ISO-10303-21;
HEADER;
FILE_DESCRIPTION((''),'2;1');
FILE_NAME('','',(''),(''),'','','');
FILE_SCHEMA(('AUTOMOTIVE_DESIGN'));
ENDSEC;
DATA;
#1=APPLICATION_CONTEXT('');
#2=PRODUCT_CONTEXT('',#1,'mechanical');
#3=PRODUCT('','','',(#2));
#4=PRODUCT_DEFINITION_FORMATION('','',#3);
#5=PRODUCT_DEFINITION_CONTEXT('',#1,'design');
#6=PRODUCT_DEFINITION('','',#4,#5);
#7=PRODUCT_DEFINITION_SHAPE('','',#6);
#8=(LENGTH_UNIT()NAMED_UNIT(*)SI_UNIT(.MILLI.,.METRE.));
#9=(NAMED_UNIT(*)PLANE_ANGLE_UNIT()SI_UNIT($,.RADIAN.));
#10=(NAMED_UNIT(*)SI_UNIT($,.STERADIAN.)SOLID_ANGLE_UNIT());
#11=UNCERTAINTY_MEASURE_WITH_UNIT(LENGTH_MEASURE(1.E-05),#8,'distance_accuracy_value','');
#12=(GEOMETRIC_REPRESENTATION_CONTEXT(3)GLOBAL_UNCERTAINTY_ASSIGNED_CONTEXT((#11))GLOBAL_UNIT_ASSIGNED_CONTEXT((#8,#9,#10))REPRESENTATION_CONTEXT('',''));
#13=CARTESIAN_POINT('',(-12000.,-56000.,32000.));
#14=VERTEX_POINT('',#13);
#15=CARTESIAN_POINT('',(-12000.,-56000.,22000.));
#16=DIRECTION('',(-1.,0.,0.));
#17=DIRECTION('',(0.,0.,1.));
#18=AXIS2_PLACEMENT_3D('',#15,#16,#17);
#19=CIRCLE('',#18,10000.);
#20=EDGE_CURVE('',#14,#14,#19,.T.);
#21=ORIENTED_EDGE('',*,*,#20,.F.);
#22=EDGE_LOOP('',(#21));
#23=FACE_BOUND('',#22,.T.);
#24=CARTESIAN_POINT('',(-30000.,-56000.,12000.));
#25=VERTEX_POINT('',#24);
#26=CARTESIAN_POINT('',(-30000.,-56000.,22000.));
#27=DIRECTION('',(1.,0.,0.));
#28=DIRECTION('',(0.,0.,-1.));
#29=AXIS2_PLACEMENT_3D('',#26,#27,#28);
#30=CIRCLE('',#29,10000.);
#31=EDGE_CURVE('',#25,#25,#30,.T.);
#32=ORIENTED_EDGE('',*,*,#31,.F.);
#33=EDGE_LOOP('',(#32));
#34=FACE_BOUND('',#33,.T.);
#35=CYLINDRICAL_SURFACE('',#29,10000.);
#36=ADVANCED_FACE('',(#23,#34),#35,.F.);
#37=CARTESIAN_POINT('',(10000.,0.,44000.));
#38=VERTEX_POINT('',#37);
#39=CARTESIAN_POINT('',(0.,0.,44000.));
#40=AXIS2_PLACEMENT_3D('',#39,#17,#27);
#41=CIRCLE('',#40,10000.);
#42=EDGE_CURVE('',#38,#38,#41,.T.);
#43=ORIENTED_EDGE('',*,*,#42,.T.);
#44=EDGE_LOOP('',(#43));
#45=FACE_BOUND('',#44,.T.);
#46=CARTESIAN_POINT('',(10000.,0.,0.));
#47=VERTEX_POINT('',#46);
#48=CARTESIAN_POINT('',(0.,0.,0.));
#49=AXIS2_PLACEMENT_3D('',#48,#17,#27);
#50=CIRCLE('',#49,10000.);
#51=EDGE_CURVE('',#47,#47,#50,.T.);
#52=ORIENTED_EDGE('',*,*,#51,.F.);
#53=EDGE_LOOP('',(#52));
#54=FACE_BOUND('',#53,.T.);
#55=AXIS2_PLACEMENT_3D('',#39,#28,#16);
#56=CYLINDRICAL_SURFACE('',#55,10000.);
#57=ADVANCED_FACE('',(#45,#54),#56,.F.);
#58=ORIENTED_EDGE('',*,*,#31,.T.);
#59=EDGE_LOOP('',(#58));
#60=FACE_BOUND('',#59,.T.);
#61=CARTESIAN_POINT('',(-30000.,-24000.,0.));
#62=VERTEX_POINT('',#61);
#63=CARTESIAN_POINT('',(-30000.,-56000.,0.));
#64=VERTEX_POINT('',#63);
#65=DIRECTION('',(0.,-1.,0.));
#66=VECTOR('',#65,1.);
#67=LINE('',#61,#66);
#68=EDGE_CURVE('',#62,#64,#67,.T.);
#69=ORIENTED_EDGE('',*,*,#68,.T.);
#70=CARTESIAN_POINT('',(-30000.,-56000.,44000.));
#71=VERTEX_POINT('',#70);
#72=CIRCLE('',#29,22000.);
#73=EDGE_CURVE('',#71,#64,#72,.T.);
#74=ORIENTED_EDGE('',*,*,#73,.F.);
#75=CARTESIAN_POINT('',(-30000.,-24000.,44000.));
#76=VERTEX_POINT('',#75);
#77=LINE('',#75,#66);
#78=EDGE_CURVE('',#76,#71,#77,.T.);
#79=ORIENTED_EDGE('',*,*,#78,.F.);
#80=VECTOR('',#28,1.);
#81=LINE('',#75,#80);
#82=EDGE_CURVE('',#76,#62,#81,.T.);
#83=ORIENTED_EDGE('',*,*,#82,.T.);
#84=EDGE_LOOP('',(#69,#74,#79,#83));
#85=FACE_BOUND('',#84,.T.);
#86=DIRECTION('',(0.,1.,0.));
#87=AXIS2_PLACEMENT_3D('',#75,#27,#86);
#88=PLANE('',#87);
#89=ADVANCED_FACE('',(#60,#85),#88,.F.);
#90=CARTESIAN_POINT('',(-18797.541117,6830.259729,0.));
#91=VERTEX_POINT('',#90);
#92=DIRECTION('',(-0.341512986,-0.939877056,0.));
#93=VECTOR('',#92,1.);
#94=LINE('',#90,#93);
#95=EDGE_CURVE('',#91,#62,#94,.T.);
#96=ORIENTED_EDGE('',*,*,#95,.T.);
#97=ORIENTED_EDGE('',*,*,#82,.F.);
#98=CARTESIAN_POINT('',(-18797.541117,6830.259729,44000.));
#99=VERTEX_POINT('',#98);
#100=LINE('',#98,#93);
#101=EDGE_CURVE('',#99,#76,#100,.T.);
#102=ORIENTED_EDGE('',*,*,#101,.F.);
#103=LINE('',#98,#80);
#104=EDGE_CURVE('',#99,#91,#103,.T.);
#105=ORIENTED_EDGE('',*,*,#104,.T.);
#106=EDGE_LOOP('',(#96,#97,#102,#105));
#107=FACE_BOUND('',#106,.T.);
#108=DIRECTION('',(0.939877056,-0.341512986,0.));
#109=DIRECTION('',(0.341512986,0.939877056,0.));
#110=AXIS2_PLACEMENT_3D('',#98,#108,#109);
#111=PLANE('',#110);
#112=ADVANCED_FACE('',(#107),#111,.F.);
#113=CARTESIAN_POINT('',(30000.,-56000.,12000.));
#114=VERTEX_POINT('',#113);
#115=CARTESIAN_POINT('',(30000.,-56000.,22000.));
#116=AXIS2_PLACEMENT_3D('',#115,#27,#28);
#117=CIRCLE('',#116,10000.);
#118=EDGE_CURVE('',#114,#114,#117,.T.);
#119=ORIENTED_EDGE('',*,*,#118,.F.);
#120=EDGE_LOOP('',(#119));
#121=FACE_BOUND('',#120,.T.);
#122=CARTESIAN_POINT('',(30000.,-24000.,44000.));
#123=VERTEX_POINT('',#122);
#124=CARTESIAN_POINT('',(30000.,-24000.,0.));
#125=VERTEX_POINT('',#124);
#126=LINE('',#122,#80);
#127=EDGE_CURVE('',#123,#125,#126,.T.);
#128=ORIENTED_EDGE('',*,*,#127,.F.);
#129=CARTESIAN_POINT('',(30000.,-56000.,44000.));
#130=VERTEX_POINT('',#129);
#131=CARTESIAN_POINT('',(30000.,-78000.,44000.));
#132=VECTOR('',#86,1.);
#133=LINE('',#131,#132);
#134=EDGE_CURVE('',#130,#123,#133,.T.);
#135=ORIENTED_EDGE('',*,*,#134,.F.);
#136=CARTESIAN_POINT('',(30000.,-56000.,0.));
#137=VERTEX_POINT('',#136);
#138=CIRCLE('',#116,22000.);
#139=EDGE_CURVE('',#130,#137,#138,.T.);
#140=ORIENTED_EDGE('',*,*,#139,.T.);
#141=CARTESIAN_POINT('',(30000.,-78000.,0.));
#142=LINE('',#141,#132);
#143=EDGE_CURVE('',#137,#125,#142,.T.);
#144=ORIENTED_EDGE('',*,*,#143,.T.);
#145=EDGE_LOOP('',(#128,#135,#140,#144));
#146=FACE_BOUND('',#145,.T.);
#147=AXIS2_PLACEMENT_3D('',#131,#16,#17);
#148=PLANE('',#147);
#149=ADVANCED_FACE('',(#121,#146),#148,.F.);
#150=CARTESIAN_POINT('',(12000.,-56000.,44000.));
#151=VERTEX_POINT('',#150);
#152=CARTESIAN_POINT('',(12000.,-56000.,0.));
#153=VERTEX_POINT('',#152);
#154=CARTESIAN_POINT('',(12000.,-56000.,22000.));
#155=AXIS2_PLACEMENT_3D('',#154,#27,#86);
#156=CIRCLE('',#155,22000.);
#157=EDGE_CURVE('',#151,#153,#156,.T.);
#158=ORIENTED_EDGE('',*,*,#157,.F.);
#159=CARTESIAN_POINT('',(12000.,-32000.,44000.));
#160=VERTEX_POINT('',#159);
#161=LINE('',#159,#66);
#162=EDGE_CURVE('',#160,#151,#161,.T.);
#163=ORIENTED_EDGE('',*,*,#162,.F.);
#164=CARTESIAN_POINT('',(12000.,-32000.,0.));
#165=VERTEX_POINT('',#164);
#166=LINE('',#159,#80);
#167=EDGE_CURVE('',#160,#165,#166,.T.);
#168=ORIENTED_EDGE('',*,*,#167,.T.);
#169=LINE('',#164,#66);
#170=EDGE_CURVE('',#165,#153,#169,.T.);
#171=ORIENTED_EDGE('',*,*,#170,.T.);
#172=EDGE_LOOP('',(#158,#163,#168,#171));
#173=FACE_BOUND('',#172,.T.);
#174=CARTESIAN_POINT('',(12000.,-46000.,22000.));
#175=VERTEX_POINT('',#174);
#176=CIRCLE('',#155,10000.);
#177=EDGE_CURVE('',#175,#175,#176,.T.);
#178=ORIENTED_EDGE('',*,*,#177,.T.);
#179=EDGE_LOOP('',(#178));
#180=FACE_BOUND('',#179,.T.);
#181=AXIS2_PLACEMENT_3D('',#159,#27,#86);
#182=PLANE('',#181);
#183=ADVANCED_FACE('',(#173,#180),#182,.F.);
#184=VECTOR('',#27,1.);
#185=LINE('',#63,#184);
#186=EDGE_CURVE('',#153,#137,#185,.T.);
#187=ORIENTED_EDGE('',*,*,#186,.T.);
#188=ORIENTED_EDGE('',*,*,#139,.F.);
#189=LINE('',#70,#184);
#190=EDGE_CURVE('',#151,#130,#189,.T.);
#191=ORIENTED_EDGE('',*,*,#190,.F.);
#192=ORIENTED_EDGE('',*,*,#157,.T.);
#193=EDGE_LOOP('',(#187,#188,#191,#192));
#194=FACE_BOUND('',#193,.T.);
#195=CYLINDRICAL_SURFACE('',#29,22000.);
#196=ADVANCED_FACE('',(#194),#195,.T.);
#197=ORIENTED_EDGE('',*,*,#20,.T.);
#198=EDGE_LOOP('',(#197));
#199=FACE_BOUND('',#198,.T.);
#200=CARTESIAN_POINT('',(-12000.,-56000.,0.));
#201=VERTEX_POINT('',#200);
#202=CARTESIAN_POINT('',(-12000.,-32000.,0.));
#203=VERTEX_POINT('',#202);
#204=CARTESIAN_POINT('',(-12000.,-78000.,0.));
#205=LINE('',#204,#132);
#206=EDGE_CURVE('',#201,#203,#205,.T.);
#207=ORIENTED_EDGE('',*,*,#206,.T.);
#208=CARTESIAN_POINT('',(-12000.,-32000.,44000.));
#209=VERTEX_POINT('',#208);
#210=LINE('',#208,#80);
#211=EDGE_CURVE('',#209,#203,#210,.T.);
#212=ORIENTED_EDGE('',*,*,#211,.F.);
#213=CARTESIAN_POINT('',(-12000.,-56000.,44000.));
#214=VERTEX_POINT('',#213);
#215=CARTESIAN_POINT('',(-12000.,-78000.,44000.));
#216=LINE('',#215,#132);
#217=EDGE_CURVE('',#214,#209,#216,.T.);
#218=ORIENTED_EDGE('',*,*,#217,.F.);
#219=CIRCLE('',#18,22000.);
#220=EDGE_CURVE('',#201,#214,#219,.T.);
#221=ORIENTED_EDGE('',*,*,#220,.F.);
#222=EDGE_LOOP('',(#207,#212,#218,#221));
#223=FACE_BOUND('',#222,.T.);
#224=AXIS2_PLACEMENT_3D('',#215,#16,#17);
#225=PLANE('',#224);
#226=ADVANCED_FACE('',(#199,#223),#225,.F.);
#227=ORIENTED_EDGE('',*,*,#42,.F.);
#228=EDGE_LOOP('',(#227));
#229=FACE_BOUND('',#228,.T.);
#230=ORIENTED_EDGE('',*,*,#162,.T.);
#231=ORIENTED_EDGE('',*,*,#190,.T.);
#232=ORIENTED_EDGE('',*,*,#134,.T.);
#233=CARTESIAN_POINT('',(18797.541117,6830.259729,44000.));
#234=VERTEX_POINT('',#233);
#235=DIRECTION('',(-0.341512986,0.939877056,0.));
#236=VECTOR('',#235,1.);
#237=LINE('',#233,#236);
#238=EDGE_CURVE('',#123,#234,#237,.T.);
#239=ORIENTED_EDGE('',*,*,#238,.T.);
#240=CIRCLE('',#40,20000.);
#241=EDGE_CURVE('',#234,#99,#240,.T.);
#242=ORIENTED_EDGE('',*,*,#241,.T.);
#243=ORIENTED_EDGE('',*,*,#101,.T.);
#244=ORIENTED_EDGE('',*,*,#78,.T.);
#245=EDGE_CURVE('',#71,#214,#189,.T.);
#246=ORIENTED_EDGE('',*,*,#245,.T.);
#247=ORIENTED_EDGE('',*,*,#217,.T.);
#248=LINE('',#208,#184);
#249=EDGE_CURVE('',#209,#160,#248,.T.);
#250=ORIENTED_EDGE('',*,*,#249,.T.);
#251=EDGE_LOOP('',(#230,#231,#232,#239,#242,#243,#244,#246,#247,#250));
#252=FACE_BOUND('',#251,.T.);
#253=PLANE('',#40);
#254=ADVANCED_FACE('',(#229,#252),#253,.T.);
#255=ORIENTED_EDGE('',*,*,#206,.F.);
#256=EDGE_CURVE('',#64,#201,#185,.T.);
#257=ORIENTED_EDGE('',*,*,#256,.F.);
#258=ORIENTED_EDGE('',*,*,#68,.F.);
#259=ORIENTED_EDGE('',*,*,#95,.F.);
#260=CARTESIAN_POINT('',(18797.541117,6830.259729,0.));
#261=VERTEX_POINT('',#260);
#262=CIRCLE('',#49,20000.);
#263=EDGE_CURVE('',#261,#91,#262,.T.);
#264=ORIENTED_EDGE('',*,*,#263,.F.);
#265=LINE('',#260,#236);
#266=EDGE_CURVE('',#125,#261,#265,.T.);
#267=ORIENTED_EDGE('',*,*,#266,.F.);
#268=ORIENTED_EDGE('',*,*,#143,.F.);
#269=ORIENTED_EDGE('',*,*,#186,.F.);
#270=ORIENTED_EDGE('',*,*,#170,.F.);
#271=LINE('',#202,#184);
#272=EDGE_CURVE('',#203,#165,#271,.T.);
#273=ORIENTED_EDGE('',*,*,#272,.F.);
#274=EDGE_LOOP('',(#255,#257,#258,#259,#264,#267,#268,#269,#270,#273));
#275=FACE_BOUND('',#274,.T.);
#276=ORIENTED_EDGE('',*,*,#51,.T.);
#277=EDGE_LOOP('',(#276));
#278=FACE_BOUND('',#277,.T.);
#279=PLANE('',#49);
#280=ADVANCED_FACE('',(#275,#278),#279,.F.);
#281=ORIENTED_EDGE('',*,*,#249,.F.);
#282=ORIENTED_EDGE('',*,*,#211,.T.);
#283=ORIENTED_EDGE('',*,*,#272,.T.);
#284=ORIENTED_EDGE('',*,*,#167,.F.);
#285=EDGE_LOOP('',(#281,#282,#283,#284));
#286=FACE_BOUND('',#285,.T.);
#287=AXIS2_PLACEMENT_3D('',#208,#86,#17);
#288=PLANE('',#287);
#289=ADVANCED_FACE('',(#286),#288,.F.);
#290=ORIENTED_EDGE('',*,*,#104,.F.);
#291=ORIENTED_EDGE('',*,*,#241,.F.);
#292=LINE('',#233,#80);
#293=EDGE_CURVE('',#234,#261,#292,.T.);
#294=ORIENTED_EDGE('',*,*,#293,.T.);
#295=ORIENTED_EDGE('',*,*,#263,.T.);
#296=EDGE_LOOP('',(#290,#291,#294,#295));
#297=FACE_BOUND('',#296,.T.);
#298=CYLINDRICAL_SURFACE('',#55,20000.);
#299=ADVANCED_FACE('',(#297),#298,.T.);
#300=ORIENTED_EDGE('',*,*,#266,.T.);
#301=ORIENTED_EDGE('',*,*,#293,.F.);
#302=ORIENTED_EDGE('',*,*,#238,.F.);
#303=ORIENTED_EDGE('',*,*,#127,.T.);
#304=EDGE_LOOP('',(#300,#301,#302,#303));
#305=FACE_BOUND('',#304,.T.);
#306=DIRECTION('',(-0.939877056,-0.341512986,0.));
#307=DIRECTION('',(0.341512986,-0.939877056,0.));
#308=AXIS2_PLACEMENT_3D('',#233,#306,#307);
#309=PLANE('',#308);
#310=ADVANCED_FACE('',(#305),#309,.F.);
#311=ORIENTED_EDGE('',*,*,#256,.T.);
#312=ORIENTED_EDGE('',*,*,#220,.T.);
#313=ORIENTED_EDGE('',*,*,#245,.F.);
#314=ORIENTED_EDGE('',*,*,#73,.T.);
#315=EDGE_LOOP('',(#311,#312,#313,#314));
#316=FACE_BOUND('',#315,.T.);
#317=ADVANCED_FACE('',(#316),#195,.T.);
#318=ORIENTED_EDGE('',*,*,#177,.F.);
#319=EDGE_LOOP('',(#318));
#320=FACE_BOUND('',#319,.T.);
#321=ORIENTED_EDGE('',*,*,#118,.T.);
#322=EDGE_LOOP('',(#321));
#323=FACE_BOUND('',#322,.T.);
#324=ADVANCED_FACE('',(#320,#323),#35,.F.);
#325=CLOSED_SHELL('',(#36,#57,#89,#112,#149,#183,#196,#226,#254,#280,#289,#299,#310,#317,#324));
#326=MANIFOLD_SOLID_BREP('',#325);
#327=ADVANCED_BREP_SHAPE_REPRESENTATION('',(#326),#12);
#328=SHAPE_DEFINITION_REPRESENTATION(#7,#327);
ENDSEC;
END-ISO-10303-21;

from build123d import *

# Parameters (mm, degrees)
SKETCH1_R           = 10000
BOSS_EXTRUDE3_DEPTH = 44000
SKETCH2_R           = 10000
CUT_EXTRUDE1_DEPTH  = 107797.103825695
CUT_EXTRUDE2_DEPTH  = 107797.103825695


with BuildPart() as part:
    # Sketch1 → Boss-Extrude3 (new body)
    with BuildSketch(Plane.XY):
        with BuildLine():
            Line((-30000, -24000), (-30000, -78000))
            Line((-30000, -78000), (-12000, -78000))
            Line((-12000, -78000), (-12000, -32000))
            Line((-12000, -32000), (12000, -32000))
            Line((12000, -32000), (12000, -78000))
            Line((12000, -78000), (30000, -78000))
            Line((30000, -78000), (30000, -24000))
            Line((30000, -24000), (18797.541116655, 6830.259729152))
            ThreePointArc((18797.541116655, 6830.259729152), (0, 20000), (-18797.541116655, 6830.259729152))
            Line((-18797.541116655, 6830.259729152), (-30000, -24000))
        make_face()
        Circle(SKETCH1_R, mode=Mode.SUBTRACT)
    extrude(amount=BOSS_EXTRUDE3_DEPTH)

    # Sketch2 → Cut-Extrude1 (cut, through all)
    with BuildSketch(Plane(origin=(30000, 0, 0), x_dir=(0, 0, -1), z_dir=(1, 0, 0))):
        with Locations((-22000, -56000)):
            Circle(SKETCH2_R)
    extrude(amount=-CUT_EXTRUDE1_DEPTH, mode=Mode.SUBTRACT)

    # Sketch3 → Cut-Extrude2 (cut, through all)
    with BuildSketch(Plane(origin=(30000, 0, 0), x_dir=(0, 0, -1), z_dir=(1, 0, 0))):
        with BuildLine():
            Line((-44000, -78000), (-22000, -78000))
            ThreePointArc((-22000, -78000), (-37556.349186104, -71556.349186104), (-44000, -56000))
            Line((-44000, -56000), (-44000, -78000))
        make_face()
        with BuildLine():
            Line((-22000, -78000), (0, -78000))
            Line((0, -78000), (0, -56000))
            ThreePointArc((0, -56000), (-6443.650813896, -71556.349186104), (-22000, -78000))
        make_face()
    extrude(amount=-CUT_EXTRUDE2_DEPTH, mode=Mode.SUBTRACT)


solid = part.part
